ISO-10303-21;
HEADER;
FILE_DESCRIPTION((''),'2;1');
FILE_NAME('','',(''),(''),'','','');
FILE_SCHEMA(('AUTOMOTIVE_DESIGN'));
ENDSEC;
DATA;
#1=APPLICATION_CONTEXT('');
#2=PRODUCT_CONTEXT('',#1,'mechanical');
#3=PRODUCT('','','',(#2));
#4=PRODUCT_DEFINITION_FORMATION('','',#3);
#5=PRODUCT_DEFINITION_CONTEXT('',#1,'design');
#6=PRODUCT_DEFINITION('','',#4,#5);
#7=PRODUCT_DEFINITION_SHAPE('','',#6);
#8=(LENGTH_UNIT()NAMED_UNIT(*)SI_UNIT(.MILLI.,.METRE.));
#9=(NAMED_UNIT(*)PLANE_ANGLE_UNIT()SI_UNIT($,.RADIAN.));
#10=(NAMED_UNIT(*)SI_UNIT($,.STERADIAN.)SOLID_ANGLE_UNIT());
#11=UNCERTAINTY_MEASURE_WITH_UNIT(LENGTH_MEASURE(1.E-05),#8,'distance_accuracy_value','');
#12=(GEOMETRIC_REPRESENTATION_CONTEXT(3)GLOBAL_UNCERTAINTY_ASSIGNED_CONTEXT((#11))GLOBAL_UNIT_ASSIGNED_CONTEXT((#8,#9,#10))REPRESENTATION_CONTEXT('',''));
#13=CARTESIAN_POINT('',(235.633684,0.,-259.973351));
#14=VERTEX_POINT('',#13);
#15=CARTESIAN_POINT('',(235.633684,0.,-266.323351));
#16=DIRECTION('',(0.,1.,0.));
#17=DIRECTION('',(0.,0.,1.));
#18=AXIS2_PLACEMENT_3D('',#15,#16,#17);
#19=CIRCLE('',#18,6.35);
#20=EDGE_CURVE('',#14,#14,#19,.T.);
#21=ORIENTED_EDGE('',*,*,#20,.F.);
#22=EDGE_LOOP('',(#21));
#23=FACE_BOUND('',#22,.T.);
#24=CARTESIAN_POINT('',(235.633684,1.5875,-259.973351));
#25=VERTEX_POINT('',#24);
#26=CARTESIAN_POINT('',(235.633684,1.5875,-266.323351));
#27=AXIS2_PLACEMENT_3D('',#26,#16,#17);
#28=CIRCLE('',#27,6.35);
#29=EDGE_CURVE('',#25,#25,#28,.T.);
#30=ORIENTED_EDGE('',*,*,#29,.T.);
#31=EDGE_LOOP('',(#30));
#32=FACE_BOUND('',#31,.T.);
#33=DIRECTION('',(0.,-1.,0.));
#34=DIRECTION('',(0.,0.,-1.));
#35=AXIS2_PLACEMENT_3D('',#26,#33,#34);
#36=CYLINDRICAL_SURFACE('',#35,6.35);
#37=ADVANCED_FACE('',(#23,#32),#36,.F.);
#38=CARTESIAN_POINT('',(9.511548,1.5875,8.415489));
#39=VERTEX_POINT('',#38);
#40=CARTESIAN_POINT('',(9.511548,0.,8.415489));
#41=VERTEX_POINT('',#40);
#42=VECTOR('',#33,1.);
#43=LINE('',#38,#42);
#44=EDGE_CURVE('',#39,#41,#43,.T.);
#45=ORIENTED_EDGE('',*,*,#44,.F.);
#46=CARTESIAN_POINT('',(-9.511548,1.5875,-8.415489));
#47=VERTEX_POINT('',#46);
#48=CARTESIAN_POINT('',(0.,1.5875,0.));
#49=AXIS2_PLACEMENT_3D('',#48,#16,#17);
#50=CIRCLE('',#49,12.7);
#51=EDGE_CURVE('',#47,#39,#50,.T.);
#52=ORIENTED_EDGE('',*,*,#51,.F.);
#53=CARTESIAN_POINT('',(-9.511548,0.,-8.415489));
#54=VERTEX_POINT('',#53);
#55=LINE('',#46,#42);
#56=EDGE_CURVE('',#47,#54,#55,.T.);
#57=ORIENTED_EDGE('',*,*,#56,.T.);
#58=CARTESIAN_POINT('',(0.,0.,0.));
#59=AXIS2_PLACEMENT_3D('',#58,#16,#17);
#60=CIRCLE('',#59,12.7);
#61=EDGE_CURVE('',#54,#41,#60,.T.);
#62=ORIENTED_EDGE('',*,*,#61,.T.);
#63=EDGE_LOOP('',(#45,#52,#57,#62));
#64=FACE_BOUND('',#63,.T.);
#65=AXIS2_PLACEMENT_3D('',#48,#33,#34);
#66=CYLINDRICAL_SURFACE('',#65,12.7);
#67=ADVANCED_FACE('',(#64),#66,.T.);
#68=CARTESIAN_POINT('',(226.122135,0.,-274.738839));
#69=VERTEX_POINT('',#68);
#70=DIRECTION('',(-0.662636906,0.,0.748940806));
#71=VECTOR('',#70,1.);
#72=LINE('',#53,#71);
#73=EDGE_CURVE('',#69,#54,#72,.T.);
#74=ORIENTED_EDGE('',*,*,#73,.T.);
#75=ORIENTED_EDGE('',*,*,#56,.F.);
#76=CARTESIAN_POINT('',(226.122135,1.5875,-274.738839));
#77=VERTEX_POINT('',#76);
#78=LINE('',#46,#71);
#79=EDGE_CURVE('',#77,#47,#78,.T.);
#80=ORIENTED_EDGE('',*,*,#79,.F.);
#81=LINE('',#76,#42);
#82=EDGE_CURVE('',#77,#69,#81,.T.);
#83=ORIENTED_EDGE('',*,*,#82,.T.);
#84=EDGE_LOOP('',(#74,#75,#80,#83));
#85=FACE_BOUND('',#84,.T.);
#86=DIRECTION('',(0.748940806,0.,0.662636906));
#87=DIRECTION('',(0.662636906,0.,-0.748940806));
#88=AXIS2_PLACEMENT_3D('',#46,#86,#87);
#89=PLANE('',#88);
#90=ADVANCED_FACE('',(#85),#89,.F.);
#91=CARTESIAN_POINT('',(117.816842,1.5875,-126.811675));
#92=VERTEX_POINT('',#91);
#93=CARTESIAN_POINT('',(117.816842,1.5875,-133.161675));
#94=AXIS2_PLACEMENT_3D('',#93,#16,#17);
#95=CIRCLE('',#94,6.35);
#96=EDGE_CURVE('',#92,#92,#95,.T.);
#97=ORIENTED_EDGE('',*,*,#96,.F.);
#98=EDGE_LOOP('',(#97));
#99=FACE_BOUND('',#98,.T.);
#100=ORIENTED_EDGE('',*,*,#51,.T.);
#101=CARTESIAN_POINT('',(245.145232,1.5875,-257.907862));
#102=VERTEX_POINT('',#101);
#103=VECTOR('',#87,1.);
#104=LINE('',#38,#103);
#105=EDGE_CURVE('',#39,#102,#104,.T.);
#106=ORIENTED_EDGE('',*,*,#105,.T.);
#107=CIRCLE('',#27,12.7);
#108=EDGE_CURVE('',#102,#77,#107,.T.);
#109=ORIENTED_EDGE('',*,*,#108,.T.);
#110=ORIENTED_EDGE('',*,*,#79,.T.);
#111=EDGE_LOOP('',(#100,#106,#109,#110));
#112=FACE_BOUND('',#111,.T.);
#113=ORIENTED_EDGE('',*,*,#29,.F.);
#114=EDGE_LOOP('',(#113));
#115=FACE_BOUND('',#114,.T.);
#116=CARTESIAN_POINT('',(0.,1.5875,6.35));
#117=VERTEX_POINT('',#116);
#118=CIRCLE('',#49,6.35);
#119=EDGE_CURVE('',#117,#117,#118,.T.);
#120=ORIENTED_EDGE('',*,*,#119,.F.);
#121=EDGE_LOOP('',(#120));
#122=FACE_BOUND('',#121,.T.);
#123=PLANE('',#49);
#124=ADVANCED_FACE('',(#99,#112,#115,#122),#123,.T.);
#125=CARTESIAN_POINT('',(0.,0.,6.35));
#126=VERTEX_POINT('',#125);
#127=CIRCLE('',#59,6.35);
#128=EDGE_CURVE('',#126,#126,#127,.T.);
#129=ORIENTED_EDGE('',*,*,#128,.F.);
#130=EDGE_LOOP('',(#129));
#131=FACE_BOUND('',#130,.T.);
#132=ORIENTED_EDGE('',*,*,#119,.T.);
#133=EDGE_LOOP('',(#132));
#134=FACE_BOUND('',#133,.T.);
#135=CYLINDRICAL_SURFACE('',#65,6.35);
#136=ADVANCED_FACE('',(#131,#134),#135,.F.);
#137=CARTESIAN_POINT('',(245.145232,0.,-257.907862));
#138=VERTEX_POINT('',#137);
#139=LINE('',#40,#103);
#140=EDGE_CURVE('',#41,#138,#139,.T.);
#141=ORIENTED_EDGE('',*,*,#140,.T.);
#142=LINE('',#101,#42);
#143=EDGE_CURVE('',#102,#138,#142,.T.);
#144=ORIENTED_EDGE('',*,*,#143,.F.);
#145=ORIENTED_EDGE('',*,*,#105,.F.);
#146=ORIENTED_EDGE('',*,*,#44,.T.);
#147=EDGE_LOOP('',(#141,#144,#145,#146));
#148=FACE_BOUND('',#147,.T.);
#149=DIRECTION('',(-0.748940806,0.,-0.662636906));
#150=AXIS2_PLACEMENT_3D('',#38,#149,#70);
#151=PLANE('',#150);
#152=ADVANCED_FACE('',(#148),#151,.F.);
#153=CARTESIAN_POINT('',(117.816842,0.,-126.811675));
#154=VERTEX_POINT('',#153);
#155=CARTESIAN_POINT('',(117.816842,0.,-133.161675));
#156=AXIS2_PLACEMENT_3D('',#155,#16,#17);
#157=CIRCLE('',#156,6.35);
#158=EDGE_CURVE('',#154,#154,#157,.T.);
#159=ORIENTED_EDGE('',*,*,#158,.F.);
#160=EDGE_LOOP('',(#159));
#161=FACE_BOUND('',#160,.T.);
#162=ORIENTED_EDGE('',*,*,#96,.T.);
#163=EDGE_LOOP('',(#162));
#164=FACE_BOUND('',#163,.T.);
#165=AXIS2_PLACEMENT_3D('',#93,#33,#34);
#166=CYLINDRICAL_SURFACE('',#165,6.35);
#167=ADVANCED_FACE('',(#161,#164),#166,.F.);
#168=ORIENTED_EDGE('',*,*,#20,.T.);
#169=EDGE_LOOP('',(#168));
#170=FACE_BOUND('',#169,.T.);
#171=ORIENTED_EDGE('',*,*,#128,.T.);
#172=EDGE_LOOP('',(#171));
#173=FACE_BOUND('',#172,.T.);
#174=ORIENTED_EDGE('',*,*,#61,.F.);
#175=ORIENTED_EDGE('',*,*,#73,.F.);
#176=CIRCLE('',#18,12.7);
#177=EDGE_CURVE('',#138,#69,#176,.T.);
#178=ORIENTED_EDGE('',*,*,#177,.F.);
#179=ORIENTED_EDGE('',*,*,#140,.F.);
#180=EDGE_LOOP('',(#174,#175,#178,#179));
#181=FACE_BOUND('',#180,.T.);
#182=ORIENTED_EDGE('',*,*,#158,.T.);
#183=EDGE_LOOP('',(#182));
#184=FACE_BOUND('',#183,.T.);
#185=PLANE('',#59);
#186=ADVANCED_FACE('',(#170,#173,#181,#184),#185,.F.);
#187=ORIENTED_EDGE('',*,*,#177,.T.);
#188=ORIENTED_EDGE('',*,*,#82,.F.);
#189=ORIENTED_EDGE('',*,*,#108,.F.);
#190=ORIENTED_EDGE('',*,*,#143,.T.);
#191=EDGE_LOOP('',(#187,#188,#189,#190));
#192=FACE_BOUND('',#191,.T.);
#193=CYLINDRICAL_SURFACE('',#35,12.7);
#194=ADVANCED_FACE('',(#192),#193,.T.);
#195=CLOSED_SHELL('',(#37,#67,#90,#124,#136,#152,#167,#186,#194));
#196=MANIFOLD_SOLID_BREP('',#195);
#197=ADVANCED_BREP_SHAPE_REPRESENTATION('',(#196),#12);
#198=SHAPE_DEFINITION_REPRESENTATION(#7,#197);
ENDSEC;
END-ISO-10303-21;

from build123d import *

# Parameters (mm, degrees)
SKETCH1_R           = 6.35
BOSS_EXTRUDE1_DEPTH = 1.5875


with BuildPart() as part:
    # Sketch1 → Boss-Extrude1 (new body)
    with BuildSketch(Plane(origin=(0, 0, 0), x_dir=(1, 0, 0), z_dir=(0, 1, 0))):
        with BuildLine():
            Line((-9.511548238, 8.415488704), (226.122135464, 274.738839361))
            ThreePointArc((226.122135464, 274.738839361), (244.049172405, 275.834898895), (245.145231939, 257.907861953))
            Line((245.145231939, 257.907861953), (9.511548238, -8.415488704))
            ThreePointArc((9.511548238, -8.415488704), (-8.415488704, -9.511548238), (-9.511548238, 8.415488704))
        make_face()
        with Locations((117.816841851, 133.161675329)):
            Circle(SKETCH1_R, mode=Mode.SUBTRACT)
        with Locations((235.633683702, 266.323350657)):
            Circle(SKETCH1_R, mode=Mode.SUBTRACT)
        Circle(SKETCH1_R, mode=Mode.SUBTRACT)
    extrude(amount=BOSS_EXTRUDE1_DEPTH)


solid = part.part
